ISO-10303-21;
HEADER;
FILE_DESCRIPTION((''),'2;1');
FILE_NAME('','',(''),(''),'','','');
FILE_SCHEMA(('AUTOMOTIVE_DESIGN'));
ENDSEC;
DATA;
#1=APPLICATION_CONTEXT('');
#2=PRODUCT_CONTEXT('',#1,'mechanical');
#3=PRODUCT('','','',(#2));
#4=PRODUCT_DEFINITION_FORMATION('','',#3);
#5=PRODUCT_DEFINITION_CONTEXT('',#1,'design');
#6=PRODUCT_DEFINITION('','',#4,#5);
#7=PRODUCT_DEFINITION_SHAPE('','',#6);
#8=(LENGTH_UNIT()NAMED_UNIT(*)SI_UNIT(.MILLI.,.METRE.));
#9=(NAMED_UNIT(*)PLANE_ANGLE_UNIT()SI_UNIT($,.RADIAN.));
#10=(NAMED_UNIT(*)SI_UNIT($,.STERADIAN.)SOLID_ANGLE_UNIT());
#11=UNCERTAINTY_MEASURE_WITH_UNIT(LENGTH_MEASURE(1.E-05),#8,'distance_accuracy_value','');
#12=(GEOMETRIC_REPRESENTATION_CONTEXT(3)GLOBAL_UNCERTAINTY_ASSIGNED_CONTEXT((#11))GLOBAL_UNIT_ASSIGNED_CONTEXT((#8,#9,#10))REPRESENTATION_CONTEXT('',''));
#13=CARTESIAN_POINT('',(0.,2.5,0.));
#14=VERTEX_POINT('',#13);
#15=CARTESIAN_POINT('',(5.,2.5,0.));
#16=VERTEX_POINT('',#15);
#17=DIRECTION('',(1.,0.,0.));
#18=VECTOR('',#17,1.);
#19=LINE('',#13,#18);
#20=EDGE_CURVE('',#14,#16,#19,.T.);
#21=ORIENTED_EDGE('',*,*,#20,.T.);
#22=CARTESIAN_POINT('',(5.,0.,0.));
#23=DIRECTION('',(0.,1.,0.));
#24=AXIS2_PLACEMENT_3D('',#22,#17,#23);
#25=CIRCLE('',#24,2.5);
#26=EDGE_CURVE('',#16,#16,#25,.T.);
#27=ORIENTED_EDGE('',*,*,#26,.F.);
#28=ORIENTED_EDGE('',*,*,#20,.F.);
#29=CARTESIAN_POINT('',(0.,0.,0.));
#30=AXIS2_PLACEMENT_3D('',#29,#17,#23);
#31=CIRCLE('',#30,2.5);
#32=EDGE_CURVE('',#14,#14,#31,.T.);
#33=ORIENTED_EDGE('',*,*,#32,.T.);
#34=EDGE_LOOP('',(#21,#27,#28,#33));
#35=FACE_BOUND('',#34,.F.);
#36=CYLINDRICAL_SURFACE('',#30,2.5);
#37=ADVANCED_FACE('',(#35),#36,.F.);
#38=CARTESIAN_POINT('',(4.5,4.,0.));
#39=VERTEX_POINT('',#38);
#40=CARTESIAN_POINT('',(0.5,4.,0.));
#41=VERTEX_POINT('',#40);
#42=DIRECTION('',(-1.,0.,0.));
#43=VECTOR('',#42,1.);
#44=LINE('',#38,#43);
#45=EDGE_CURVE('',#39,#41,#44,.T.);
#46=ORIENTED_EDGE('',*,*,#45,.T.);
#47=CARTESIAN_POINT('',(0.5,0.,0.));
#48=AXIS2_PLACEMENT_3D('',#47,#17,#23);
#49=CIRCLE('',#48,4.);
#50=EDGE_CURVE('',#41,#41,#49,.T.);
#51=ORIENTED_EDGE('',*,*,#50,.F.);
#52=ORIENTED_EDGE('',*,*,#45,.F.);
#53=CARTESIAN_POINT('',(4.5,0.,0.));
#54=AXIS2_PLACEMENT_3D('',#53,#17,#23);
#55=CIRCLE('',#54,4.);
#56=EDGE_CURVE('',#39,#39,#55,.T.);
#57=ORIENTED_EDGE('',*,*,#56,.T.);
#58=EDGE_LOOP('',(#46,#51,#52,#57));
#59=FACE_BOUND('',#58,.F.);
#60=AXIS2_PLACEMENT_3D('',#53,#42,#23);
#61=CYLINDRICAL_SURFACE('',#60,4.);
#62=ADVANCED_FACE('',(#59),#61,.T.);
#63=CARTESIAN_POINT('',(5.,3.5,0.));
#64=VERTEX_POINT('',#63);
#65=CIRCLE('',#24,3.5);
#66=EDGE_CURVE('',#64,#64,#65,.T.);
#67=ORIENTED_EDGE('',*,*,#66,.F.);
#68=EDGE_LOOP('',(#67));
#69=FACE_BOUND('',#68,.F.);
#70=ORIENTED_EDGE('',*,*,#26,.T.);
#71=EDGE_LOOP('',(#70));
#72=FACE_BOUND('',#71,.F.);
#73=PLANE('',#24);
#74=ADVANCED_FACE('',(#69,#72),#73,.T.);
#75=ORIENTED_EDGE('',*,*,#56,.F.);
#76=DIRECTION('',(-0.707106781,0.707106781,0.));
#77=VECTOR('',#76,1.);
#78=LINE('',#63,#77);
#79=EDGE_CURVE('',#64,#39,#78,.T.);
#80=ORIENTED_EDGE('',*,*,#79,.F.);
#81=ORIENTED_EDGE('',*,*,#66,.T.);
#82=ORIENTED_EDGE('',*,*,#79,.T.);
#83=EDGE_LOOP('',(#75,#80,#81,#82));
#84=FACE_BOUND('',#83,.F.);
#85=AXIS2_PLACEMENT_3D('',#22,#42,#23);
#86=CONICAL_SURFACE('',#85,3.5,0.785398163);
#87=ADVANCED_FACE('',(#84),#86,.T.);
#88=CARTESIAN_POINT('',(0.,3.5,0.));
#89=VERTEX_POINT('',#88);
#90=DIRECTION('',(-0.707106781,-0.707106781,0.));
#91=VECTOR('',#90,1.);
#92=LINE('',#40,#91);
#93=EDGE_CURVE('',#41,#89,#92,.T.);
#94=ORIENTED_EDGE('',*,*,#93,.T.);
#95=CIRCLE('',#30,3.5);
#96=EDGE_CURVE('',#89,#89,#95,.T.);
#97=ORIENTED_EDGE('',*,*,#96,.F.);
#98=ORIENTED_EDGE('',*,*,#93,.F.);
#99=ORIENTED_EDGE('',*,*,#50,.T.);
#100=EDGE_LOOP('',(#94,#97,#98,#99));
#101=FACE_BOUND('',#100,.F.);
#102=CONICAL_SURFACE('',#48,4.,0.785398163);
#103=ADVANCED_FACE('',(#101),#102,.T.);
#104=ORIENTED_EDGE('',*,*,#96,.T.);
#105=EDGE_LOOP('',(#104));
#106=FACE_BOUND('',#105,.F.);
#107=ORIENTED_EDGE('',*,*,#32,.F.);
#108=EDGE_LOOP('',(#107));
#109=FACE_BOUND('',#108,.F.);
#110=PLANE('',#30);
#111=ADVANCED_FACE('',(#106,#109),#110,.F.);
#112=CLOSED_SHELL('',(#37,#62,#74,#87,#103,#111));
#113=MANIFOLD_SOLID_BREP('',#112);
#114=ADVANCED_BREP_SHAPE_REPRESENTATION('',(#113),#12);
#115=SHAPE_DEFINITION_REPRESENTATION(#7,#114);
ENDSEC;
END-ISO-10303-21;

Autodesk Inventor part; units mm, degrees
sketch "Sketch_1" plane through (0, 0, 0) normal (0, 0, 1) x (1, 0, 0)
  line L0 (5, 0) -> (0, 0)
  line L1 (0, 2.5) -> (5, 2.5)
  line L2 (5, 2.5) -> (5, 3.5)
  line L3 (5, 3.5) -> (4.5, 4)
  line L4 (4.5, 4) -> (0.5, 4)
  line L5 (0.5, 4) -> (0, 3.5)
  line L6 (0, 3.5) -> (0, 2.5)
revolve "Revolution1" add sketch "Sketch_1" angle 360 about axis through (5, 0, 0) along (1, 0, 0)
ref_plane "to_b_XY" through (0, 0, 0) normal (1, 0, 0) x (0, 0, -1)
ref_plane "to_b_YZ" through (0, 0, 0) normal (0, 0, -1) x (0, 1, 0)
ref_plane "to_b_ZX" through (0, 0, 0) normal (0, 1, 0) x (1, 0, 0)
properties part number "CLBUS5-8-5"
